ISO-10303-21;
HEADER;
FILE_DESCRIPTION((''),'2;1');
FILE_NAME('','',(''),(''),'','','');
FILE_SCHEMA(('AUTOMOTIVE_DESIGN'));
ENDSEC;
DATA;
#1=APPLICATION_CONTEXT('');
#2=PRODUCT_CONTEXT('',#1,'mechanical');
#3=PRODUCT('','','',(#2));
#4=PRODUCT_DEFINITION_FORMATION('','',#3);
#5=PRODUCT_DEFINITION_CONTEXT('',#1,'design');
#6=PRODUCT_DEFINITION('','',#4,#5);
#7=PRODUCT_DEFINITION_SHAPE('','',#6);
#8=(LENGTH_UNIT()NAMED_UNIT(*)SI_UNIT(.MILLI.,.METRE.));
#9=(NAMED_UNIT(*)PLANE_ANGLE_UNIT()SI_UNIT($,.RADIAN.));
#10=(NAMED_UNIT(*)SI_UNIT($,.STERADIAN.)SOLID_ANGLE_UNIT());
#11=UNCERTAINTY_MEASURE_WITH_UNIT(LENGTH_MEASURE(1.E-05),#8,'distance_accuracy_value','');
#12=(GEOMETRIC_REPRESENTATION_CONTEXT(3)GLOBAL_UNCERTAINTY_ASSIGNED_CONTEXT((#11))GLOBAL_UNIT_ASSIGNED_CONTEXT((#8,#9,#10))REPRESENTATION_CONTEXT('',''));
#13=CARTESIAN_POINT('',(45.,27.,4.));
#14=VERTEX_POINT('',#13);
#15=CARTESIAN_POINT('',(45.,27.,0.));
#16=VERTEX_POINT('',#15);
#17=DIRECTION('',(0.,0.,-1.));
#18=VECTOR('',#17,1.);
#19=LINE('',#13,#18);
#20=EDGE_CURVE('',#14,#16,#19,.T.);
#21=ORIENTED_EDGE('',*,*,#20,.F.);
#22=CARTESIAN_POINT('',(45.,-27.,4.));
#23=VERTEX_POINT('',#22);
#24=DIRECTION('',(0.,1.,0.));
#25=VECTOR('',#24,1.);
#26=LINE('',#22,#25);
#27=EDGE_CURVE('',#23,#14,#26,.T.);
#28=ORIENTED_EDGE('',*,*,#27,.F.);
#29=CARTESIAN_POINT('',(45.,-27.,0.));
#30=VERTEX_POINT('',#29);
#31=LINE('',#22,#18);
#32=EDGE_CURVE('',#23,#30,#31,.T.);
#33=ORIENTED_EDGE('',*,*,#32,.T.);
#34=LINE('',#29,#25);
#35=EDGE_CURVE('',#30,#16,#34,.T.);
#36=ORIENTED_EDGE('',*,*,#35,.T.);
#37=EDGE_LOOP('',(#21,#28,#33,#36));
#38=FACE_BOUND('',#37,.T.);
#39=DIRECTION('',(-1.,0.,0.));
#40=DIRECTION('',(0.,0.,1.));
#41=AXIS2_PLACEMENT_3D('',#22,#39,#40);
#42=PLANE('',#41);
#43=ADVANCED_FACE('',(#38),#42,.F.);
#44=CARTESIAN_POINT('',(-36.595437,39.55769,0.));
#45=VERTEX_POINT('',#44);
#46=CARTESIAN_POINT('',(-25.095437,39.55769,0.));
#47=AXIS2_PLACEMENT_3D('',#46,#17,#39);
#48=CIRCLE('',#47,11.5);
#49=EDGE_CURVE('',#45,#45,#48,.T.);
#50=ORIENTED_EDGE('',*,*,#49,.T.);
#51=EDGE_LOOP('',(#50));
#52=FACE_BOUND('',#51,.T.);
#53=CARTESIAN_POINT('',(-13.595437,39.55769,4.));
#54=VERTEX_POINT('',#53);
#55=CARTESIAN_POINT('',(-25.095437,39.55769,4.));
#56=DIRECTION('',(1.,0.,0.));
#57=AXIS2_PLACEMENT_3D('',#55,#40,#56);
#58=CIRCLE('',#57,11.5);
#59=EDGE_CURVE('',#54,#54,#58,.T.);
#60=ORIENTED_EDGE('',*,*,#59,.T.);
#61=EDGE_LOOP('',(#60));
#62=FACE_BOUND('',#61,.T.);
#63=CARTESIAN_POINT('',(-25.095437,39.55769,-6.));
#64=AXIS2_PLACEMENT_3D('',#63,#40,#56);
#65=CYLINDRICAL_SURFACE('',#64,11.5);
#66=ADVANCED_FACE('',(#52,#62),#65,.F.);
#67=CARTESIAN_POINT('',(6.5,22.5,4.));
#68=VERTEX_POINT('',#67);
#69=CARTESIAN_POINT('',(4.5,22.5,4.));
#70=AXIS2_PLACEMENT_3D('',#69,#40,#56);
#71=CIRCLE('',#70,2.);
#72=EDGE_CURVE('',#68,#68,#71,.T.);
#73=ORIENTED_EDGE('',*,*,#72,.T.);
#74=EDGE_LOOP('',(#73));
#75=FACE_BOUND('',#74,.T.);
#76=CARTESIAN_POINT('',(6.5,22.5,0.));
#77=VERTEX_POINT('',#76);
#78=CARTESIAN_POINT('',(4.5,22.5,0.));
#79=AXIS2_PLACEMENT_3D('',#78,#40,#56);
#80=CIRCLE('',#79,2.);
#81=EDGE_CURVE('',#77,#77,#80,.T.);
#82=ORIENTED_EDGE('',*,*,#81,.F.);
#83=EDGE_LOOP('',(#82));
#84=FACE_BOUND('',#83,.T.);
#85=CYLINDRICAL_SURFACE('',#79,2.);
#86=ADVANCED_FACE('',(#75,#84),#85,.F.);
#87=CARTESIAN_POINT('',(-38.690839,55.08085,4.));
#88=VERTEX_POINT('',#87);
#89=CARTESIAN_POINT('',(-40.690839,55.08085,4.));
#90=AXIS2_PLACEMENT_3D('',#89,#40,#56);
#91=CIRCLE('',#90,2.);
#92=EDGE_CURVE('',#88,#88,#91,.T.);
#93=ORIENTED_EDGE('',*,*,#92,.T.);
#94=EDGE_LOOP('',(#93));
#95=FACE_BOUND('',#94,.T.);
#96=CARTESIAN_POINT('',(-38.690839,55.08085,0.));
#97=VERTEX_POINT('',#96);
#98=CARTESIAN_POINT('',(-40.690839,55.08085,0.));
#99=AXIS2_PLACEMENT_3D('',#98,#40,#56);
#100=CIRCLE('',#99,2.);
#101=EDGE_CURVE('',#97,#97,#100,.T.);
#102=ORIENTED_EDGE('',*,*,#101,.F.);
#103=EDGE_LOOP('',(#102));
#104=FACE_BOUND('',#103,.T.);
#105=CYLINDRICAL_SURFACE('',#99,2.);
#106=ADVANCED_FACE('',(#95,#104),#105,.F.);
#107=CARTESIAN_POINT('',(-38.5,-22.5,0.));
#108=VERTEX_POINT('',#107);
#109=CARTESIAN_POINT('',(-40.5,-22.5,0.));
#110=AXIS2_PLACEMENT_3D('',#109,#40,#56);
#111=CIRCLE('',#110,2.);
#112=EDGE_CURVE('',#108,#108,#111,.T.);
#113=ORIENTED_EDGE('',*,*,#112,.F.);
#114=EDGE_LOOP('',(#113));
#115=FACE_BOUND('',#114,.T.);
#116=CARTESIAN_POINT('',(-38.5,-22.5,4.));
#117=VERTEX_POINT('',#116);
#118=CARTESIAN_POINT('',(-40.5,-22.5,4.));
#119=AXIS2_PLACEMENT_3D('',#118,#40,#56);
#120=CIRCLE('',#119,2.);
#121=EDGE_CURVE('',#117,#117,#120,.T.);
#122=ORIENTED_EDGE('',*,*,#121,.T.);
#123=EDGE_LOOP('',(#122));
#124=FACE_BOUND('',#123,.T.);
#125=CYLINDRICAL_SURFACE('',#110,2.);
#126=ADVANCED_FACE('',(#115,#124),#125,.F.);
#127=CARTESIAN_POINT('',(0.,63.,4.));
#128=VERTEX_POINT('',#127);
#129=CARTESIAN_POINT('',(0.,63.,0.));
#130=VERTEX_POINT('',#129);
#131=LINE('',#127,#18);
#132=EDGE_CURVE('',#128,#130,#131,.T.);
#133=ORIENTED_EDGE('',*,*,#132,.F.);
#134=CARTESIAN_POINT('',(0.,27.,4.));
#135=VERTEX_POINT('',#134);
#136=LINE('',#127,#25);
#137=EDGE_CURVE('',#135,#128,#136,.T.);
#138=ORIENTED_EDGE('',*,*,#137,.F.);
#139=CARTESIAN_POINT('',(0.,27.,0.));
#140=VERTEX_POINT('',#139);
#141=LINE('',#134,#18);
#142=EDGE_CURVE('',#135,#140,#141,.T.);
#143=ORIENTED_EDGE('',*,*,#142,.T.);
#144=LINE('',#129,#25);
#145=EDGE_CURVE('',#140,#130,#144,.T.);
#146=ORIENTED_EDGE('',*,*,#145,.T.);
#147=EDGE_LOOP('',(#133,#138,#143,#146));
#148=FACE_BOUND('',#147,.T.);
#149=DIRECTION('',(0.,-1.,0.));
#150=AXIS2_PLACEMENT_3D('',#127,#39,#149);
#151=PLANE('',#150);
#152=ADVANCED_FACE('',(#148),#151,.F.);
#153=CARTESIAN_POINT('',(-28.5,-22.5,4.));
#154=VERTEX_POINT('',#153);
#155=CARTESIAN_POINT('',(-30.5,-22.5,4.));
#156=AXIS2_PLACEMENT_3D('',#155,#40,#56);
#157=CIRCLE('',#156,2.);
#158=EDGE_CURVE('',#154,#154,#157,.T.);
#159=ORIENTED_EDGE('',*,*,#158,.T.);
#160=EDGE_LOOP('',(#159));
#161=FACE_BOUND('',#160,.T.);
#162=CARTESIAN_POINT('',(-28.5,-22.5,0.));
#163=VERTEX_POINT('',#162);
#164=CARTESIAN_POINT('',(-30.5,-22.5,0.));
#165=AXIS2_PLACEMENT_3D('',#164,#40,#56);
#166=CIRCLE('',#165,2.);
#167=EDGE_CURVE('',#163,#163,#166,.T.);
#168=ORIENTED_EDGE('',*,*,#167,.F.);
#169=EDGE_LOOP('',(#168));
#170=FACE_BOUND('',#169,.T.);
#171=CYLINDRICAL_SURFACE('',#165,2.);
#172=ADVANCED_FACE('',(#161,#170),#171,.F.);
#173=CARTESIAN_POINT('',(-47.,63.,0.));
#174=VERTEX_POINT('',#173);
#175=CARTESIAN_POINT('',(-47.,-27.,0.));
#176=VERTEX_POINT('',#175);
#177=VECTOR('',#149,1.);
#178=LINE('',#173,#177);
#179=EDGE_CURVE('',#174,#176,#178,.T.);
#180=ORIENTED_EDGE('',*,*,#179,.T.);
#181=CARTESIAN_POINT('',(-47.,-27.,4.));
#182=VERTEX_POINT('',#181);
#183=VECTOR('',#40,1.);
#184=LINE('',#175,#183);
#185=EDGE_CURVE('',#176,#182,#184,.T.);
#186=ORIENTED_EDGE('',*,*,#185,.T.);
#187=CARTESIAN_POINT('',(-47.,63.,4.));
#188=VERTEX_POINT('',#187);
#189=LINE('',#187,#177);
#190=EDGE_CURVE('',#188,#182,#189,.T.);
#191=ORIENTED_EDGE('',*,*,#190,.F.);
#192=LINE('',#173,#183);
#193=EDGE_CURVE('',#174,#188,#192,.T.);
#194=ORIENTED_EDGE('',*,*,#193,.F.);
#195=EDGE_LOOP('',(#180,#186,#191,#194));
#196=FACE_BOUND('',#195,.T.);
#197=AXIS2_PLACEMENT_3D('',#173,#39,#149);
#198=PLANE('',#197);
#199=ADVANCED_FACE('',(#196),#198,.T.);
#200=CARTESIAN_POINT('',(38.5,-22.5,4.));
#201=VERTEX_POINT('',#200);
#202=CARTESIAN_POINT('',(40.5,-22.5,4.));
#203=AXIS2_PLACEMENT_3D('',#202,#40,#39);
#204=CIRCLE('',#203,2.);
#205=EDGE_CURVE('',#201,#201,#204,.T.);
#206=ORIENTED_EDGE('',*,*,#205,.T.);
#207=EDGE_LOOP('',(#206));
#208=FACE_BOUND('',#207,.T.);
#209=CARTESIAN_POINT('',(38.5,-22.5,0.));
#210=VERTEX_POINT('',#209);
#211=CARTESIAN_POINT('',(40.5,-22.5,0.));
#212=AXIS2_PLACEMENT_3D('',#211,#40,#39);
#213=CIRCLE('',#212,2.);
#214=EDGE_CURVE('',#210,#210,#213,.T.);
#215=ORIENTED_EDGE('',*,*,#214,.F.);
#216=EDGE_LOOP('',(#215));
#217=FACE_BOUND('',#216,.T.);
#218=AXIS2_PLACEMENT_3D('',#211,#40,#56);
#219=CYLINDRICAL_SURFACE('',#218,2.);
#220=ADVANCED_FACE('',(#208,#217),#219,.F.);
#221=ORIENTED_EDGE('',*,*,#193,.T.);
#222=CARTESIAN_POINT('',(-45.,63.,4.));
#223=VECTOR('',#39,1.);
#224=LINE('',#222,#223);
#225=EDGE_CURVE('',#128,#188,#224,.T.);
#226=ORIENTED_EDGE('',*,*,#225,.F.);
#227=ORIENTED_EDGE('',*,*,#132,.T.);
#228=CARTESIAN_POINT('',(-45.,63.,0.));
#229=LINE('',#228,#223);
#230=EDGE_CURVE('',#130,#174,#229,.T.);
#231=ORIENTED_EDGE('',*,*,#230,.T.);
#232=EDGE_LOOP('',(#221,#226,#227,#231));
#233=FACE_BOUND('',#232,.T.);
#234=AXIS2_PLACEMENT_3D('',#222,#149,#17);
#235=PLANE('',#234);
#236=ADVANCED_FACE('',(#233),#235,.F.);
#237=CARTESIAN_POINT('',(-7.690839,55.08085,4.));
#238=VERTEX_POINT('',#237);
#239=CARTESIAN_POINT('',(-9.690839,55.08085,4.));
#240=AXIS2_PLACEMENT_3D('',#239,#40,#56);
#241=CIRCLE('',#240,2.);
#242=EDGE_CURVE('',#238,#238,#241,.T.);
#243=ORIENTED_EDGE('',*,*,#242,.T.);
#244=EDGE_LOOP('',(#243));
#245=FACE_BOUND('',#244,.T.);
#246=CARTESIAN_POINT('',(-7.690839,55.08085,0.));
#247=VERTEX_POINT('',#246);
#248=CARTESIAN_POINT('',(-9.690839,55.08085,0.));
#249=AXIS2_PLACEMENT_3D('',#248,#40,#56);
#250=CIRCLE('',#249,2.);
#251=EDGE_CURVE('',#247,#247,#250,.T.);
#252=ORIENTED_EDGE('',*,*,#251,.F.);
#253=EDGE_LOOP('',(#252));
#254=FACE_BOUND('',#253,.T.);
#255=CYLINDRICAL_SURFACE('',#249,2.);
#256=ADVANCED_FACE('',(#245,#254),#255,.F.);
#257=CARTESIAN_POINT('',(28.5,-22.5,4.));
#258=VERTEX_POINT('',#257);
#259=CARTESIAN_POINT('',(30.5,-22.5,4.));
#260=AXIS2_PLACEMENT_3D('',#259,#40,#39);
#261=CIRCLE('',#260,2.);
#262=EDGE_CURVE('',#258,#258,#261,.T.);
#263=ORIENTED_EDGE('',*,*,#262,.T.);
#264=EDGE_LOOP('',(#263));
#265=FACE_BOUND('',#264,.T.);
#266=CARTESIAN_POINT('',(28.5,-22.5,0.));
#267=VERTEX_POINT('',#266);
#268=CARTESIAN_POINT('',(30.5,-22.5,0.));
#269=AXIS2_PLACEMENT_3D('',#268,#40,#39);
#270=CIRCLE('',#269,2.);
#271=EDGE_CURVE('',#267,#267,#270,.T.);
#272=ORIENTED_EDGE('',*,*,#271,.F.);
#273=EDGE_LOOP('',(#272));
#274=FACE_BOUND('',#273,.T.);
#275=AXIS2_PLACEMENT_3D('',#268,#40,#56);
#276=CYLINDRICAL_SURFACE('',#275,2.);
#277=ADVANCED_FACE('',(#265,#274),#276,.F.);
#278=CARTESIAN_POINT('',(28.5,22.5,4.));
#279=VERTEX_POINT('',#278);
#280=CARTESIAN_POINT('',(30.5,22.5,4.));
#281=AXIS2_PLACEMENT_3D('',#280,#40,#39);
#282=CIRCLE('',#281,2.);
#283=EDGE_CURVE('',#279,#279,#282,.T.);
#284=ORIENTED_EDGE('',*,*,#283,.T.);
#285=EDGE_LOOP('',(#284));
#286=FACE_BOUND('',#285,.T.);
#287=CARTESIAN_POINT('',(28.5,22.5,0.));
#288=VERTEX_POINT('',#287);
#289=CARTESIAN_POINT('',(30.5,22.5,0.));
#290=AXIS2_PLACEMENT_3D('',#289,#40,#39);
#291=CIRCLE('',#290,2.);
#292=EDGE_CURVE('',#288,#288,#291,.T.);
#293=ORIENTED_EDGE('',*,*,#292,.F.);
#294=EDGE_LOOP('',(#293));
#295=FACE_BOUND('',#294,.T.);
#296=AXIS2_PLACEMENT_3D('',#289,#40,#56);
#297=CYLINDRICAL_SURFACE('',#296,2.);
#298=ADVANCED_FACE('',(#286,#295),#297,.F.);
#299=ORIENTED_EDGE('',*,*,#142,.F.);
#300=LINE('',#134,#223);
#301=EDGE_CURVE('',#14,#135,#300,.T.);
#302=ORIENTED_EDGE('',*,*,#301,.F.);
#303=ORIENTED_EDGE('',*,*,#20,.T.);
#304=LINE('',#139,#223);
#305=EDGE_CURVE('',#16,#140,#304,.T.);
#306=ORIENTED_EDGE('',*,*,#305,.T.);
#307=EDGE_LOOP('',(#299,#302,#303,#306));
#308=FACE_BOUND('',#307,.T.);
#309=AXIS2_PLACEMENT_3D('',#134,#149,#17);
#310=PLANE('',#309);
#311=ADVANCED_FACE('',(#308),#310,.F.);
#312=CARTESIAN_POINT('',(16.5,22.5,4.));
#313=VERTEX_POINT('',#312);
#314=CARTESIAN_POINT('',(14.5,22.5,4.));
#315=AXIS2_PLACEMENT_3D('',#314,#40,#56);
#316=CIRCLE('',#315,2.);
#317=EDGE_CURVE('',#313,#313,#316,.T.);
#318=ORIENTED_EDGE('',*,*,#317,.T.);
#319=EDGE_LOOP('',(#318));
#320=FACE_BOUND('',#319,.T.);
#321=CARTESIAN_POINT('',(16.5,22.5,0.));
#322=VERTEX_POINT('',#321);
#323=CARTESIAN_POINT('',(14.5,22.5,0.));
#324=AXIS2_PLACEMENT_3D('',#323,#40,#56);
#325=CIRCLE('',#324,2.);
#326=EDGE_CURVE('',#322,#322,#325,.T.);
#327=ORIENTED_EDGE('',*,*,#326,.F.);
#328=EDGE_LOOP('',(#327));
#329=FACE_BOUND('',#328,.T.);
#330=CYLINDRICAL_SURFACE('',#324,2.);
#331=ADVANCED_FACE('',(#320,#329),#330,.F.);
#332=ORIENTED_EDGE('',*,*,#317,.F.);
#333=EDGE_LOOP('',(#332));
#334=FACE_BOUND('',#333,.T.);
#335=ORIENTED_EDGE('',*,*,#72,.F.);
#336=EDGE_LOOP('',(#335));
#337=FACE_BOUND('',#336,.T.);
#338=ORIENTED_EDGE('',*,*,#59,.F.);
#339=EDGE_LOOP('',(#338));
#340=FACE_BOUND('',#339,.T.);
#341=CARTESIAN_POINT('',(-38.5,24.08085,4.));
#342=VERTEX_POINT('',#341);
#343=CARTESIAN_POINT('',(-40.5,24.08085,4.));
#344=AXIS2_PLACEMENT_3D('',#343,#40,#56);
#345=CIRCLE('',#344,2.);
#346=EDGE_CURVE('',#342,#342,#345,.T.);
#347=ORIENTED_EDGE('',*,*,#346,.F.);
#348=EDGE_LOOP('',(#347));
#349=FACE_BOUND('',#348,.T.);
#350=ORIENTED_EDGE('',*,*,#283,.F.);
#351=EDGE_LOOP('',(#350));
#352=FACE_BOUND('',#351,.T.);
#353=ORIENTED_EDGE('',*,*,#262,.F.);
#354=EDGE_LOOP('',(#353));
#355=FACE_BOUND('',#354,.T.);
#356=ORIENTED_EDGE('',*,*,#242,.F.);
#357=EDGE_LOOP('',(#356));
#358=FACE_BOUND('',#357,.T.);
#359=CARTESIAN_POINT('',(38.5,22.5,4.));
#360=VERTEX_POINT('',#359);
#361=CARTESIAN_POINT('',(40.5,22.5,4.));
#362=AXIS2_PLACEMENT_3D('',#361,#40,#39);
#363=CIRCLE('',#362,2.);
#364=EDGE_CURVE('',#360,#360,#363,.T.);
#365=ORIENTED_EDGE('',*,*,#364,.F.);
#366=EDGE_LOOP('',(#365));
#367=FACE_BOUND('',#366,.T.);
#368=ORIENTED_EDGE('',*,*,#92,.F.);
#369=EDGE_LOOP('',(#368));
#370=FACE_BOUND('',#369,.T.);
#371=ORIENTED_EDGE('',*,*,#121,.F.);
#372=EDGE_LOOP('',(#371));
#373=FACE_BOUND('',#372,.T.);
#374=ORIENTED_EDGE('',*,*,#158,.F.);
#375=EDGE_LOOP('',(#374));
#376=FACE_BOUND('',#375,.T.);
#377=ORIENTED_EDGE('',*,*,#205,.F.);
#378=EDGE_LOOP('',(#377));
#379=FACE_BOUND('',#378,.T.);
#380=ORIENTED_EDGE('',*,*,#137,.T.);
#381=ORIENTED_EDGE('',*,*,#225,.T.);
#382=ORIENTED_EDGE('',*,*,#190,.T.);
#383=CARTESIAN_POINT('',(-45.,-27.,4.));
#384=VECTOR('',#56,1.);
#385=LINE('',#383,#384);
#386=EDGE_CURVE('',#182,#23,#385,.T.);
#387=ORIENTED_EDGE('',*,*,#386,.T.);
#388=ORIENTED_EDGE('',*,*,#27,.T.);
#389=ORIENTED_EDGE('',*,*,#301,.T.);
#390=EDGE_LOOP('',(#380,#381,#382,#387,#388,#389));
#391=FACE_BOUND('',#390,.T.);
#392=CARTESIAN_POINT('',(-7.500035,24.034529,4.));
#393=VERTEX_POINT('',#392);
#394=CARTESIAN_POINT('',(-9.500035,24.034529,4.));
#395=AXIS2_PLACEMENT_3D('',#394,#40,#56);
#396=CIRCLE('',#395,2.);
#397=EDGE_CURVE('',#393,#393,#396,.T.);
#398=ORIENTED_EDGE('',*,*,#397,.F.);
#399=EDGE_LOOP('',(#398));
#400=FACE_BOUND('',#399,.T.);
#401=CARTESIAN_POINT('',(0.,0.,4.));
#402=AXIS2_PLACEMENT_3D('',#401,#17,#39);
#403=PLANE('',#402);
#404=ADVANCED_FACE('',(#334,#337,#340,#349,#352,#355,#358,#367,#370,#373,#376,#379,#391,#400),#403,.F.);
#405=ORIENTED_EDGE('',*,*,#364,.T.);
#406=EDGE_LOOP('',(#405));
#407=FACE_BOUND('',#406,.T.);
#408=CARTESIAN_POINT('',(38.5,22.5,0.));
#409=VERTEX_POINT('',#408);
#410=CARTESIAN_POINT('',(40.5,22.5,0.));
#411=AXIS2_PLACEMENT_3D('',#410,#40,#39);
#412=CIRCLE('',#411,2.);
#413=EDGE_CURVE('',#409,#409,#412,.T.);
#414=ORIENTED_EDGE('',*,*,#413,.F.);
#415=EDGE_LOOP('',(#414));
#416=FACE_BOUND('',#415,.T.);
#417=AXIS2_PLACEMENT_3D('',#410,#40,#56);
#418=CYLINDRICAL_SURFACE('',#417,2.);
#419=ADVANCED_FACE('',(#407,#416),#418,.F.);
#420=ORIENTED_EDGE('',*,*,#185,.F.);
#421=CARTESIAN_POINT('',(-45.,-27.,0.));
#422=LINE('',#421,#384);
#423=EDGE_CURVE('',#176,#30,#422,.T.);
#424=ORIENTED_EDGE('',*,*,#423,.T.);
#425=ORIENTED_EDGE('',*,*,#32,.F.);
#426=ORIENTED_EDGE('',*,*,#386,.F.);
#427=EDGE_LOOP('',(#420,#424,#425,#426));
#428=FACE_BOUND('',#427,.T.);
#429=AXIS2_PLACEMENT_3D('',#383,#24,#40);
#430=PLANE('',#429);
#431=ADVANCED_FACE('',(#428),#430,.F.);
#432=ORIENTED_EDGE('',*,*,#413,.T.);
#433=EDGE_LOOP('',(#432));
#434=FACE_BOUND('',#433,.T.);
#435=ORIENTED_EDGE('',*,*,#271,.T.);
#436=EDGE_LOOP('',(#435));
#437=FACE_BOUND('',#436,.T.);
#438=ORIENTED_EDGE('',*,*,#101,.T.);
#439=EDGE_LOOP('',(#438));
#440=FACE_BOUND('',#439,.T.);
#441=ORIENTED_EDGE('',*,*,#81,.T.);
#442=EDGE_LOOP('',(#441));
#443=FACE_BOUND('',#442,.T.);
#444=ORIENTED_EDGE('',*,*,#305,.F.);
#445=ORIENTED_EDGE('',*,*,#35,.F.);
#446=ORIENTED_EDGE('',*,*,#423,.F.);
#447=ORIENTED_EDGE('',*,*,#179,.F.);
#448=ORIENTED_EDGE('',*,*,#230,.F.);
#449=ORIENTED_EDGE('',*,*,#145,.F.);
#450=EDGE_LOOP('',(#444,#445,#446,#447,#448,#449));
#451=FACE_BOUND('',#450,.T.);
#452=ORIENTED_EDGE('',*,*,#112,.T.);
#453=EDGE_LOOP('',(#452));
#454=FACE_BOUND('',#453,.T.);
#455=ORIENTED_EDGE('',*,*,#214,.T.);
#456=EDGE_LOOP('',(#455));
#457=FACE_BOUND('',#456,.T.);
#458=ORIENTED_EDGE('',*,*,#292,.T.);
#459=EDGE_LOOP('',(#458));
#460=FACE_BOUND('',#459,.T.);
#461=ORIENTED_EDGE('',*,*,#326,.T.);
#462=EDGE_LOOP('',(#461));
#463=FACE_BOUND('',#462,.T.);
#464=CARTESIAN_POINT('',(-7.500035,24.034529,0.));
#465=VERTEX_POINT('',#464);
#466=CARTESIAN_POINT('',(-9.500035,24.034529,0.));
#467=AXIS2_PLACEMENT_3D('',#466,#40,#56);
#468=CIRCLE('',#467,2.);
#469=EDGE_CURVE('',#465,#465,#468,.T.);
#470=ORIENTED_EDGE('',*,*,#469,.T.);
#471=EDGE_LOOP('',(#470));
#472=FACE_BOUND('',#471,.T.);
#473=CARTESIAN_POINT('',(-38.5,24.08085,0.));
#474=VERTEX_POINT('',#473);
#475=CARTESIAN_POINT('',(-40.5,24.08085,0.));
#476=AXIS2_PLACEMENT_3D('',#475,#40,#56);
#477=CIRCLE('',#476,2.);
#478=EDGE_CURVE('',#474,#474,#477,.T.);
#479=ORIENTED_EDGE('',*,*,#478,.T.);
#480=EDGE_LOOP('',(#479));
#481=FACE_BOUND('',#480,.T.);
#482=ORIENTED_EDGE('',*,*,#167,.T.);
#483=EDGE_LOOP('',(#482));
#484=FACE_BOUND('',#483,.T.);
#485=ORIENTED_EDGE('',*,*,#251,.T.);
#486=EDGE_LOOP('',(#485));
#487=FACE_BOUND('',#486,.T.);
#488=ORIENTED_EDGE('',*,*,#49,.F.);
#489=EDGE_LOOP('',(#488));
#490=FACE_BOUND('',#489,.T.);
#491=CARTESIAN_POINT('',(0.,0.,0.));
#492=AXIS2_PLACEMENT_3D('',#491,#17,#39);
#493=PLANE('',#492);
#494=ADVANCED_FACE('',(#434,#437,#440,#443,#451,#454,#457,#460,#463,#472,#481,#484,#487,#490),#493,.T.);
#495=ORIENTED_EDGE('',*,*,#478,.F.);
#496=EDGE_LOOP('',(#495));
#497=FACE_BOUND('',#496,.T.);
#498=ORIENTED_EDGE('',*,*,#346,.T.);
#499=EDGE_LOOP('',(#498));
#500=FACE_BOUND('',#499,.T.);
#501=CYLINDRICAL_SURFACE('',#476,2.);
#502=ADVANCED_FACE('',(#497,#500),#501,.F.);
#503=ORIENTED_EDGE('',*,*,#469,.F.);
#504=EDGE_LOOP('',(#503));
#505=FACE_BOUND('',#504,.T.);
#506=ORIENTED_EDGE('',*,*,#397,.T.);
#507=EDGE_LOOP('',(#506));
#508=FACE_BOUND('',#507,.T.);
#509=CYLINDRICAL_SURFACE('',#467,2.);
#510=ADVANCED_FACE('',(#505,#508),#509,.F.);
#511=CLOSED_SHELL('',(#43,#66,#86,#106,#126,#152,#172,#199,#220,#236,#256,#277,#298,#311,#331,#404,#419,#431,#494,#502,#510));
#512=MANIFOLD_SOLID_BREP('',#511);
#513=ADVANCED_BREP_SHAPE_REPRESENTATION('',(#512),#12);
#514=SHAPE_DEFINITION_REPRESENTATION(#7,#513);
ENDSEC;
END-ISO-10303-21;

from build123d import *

# Parameters (mm, degrees)
BOSS_EXTRUDE1_DEPTH = 4
SKETCH2_R           = 2
CUT_EXTRUDE1_DEPTH  = 4
SKETCH3_R           = 2
CUT_EXTRUDE2_DEPTH  = 4
SKETCH4_R           = 2
CUT_EXTRUDE3_DEPTH  = 4
SKETCH5_W           = 2
SKETCH5_H           = 90
BOSS_EXTRUDE2_DEPTH = 4
SKETCH6_R           = 2
CUT_EXTRUDE4_DEPTH  = 4
SKETCH7_R           = 11.5
CUT_EXTRUDE5_DEPTH  = 10


with BuildPart() as part:
    # Sketch1 → Boss-Extrude1 (new body)
    with BuildSketch(Plane.XY):
        Polygon((-45, 27), (-45, 63), (0, 63), (0, 27), (45, 27), (45, -27), (-45, -27), align=None)
    extrude(amount=BOSS_EXTRUDE1_DEPTH)

    # Sketch2 → Cut-Extrude1 (cut)
    with BuildSketch(Plane.XY.offset(4)):
        with Locations((-40.5, -22.5)):
            Circle(SKETCH2_R)
        with Locations((-30.5, -22.5)):
            Circle(SKETCH2_R)
        with Locations(Location((30.5, -22.5, 0), (0, 0, 180))):
            Circle(SKETCH2_R)
        with Locations(Location((40.5, -22.5, 0), (0, 0, 180))):
            Circle(SKETCH2_R)
        with Locations(Location((30.5, 22.5, 0), (0, 0, 180))):
            Circle(SKETCH2_R)
        with Locations(Location((40.5, 22.5, 0), (0, 0, 180))):
            Circle(SKETCH2_R)
    extrude(amount=-CUT_EXTRUDE1_DEPTH, mode=Mode.SUBTRACT)

    # Sketch3 → Cut-Extrude2 (cut)
    with BuildSketch(Plane.XY.offset(4)):
        with Locations((-40.5, 24.080850084)):
            Circle(SKETCH3_R)
        with Locations((-9.500034607, 24.034529107)):
            Circle(SKETCH3_R)
    extrude(amount=-CUT_EXTRUDE2_DEPTH, mode=Mode.SUBTRACT)

    # Sketch4 → Cut-Extrude3 (cut)
    with BuildSketch(Plane.XY.offset(4)):
        with Locations((-40.690838772, 55.080850084)):
            Circle(SKETCH4_R)
        with Locations((-9.690838772, 55.080850084)):
            Circle(SKETCH4_R)
    extrude(amount=-CUT_EXTRUDE3_DEPTH, mode=Mode.SUBTRACT)

    # Sketch5 → Boss-Extrude2 (add)
    with BuildSketch(Plane.XY.offset(4)):
        with Locations((-46, 18)):
            Rectangle(SKETCH5_W, SKETCH5_H)
    extrude(amount=-BOSS_EXTRUDE2_DEPTH)

    # Sketch6 → Cut-Extrude4 (cut)
    with BuildSketch(Plane.XY.offset(4)):
        with Locations((4.5, 22.5)):
            Circle(SKETCH6_R)
        with Locations((14.5, 22.5)):
            Circle(SKETCH6_R)
    extrude(amount=-CUT_EXTRUDE4_DEPTH, mode=Mode.SUBTRACT)

    # Sketch7 → Cut-Extrude5 (cut)
    with BuildSketch(Plane.XY.offset(4)):
        with Locations((-25.09543669, 39.557689595)):
            Circle(SKETCH7_R)
    extrude(amount=-CUT_EXTRUDE5_DEPTH, mode=Mode.SUBTRACT)


solid = part.part
